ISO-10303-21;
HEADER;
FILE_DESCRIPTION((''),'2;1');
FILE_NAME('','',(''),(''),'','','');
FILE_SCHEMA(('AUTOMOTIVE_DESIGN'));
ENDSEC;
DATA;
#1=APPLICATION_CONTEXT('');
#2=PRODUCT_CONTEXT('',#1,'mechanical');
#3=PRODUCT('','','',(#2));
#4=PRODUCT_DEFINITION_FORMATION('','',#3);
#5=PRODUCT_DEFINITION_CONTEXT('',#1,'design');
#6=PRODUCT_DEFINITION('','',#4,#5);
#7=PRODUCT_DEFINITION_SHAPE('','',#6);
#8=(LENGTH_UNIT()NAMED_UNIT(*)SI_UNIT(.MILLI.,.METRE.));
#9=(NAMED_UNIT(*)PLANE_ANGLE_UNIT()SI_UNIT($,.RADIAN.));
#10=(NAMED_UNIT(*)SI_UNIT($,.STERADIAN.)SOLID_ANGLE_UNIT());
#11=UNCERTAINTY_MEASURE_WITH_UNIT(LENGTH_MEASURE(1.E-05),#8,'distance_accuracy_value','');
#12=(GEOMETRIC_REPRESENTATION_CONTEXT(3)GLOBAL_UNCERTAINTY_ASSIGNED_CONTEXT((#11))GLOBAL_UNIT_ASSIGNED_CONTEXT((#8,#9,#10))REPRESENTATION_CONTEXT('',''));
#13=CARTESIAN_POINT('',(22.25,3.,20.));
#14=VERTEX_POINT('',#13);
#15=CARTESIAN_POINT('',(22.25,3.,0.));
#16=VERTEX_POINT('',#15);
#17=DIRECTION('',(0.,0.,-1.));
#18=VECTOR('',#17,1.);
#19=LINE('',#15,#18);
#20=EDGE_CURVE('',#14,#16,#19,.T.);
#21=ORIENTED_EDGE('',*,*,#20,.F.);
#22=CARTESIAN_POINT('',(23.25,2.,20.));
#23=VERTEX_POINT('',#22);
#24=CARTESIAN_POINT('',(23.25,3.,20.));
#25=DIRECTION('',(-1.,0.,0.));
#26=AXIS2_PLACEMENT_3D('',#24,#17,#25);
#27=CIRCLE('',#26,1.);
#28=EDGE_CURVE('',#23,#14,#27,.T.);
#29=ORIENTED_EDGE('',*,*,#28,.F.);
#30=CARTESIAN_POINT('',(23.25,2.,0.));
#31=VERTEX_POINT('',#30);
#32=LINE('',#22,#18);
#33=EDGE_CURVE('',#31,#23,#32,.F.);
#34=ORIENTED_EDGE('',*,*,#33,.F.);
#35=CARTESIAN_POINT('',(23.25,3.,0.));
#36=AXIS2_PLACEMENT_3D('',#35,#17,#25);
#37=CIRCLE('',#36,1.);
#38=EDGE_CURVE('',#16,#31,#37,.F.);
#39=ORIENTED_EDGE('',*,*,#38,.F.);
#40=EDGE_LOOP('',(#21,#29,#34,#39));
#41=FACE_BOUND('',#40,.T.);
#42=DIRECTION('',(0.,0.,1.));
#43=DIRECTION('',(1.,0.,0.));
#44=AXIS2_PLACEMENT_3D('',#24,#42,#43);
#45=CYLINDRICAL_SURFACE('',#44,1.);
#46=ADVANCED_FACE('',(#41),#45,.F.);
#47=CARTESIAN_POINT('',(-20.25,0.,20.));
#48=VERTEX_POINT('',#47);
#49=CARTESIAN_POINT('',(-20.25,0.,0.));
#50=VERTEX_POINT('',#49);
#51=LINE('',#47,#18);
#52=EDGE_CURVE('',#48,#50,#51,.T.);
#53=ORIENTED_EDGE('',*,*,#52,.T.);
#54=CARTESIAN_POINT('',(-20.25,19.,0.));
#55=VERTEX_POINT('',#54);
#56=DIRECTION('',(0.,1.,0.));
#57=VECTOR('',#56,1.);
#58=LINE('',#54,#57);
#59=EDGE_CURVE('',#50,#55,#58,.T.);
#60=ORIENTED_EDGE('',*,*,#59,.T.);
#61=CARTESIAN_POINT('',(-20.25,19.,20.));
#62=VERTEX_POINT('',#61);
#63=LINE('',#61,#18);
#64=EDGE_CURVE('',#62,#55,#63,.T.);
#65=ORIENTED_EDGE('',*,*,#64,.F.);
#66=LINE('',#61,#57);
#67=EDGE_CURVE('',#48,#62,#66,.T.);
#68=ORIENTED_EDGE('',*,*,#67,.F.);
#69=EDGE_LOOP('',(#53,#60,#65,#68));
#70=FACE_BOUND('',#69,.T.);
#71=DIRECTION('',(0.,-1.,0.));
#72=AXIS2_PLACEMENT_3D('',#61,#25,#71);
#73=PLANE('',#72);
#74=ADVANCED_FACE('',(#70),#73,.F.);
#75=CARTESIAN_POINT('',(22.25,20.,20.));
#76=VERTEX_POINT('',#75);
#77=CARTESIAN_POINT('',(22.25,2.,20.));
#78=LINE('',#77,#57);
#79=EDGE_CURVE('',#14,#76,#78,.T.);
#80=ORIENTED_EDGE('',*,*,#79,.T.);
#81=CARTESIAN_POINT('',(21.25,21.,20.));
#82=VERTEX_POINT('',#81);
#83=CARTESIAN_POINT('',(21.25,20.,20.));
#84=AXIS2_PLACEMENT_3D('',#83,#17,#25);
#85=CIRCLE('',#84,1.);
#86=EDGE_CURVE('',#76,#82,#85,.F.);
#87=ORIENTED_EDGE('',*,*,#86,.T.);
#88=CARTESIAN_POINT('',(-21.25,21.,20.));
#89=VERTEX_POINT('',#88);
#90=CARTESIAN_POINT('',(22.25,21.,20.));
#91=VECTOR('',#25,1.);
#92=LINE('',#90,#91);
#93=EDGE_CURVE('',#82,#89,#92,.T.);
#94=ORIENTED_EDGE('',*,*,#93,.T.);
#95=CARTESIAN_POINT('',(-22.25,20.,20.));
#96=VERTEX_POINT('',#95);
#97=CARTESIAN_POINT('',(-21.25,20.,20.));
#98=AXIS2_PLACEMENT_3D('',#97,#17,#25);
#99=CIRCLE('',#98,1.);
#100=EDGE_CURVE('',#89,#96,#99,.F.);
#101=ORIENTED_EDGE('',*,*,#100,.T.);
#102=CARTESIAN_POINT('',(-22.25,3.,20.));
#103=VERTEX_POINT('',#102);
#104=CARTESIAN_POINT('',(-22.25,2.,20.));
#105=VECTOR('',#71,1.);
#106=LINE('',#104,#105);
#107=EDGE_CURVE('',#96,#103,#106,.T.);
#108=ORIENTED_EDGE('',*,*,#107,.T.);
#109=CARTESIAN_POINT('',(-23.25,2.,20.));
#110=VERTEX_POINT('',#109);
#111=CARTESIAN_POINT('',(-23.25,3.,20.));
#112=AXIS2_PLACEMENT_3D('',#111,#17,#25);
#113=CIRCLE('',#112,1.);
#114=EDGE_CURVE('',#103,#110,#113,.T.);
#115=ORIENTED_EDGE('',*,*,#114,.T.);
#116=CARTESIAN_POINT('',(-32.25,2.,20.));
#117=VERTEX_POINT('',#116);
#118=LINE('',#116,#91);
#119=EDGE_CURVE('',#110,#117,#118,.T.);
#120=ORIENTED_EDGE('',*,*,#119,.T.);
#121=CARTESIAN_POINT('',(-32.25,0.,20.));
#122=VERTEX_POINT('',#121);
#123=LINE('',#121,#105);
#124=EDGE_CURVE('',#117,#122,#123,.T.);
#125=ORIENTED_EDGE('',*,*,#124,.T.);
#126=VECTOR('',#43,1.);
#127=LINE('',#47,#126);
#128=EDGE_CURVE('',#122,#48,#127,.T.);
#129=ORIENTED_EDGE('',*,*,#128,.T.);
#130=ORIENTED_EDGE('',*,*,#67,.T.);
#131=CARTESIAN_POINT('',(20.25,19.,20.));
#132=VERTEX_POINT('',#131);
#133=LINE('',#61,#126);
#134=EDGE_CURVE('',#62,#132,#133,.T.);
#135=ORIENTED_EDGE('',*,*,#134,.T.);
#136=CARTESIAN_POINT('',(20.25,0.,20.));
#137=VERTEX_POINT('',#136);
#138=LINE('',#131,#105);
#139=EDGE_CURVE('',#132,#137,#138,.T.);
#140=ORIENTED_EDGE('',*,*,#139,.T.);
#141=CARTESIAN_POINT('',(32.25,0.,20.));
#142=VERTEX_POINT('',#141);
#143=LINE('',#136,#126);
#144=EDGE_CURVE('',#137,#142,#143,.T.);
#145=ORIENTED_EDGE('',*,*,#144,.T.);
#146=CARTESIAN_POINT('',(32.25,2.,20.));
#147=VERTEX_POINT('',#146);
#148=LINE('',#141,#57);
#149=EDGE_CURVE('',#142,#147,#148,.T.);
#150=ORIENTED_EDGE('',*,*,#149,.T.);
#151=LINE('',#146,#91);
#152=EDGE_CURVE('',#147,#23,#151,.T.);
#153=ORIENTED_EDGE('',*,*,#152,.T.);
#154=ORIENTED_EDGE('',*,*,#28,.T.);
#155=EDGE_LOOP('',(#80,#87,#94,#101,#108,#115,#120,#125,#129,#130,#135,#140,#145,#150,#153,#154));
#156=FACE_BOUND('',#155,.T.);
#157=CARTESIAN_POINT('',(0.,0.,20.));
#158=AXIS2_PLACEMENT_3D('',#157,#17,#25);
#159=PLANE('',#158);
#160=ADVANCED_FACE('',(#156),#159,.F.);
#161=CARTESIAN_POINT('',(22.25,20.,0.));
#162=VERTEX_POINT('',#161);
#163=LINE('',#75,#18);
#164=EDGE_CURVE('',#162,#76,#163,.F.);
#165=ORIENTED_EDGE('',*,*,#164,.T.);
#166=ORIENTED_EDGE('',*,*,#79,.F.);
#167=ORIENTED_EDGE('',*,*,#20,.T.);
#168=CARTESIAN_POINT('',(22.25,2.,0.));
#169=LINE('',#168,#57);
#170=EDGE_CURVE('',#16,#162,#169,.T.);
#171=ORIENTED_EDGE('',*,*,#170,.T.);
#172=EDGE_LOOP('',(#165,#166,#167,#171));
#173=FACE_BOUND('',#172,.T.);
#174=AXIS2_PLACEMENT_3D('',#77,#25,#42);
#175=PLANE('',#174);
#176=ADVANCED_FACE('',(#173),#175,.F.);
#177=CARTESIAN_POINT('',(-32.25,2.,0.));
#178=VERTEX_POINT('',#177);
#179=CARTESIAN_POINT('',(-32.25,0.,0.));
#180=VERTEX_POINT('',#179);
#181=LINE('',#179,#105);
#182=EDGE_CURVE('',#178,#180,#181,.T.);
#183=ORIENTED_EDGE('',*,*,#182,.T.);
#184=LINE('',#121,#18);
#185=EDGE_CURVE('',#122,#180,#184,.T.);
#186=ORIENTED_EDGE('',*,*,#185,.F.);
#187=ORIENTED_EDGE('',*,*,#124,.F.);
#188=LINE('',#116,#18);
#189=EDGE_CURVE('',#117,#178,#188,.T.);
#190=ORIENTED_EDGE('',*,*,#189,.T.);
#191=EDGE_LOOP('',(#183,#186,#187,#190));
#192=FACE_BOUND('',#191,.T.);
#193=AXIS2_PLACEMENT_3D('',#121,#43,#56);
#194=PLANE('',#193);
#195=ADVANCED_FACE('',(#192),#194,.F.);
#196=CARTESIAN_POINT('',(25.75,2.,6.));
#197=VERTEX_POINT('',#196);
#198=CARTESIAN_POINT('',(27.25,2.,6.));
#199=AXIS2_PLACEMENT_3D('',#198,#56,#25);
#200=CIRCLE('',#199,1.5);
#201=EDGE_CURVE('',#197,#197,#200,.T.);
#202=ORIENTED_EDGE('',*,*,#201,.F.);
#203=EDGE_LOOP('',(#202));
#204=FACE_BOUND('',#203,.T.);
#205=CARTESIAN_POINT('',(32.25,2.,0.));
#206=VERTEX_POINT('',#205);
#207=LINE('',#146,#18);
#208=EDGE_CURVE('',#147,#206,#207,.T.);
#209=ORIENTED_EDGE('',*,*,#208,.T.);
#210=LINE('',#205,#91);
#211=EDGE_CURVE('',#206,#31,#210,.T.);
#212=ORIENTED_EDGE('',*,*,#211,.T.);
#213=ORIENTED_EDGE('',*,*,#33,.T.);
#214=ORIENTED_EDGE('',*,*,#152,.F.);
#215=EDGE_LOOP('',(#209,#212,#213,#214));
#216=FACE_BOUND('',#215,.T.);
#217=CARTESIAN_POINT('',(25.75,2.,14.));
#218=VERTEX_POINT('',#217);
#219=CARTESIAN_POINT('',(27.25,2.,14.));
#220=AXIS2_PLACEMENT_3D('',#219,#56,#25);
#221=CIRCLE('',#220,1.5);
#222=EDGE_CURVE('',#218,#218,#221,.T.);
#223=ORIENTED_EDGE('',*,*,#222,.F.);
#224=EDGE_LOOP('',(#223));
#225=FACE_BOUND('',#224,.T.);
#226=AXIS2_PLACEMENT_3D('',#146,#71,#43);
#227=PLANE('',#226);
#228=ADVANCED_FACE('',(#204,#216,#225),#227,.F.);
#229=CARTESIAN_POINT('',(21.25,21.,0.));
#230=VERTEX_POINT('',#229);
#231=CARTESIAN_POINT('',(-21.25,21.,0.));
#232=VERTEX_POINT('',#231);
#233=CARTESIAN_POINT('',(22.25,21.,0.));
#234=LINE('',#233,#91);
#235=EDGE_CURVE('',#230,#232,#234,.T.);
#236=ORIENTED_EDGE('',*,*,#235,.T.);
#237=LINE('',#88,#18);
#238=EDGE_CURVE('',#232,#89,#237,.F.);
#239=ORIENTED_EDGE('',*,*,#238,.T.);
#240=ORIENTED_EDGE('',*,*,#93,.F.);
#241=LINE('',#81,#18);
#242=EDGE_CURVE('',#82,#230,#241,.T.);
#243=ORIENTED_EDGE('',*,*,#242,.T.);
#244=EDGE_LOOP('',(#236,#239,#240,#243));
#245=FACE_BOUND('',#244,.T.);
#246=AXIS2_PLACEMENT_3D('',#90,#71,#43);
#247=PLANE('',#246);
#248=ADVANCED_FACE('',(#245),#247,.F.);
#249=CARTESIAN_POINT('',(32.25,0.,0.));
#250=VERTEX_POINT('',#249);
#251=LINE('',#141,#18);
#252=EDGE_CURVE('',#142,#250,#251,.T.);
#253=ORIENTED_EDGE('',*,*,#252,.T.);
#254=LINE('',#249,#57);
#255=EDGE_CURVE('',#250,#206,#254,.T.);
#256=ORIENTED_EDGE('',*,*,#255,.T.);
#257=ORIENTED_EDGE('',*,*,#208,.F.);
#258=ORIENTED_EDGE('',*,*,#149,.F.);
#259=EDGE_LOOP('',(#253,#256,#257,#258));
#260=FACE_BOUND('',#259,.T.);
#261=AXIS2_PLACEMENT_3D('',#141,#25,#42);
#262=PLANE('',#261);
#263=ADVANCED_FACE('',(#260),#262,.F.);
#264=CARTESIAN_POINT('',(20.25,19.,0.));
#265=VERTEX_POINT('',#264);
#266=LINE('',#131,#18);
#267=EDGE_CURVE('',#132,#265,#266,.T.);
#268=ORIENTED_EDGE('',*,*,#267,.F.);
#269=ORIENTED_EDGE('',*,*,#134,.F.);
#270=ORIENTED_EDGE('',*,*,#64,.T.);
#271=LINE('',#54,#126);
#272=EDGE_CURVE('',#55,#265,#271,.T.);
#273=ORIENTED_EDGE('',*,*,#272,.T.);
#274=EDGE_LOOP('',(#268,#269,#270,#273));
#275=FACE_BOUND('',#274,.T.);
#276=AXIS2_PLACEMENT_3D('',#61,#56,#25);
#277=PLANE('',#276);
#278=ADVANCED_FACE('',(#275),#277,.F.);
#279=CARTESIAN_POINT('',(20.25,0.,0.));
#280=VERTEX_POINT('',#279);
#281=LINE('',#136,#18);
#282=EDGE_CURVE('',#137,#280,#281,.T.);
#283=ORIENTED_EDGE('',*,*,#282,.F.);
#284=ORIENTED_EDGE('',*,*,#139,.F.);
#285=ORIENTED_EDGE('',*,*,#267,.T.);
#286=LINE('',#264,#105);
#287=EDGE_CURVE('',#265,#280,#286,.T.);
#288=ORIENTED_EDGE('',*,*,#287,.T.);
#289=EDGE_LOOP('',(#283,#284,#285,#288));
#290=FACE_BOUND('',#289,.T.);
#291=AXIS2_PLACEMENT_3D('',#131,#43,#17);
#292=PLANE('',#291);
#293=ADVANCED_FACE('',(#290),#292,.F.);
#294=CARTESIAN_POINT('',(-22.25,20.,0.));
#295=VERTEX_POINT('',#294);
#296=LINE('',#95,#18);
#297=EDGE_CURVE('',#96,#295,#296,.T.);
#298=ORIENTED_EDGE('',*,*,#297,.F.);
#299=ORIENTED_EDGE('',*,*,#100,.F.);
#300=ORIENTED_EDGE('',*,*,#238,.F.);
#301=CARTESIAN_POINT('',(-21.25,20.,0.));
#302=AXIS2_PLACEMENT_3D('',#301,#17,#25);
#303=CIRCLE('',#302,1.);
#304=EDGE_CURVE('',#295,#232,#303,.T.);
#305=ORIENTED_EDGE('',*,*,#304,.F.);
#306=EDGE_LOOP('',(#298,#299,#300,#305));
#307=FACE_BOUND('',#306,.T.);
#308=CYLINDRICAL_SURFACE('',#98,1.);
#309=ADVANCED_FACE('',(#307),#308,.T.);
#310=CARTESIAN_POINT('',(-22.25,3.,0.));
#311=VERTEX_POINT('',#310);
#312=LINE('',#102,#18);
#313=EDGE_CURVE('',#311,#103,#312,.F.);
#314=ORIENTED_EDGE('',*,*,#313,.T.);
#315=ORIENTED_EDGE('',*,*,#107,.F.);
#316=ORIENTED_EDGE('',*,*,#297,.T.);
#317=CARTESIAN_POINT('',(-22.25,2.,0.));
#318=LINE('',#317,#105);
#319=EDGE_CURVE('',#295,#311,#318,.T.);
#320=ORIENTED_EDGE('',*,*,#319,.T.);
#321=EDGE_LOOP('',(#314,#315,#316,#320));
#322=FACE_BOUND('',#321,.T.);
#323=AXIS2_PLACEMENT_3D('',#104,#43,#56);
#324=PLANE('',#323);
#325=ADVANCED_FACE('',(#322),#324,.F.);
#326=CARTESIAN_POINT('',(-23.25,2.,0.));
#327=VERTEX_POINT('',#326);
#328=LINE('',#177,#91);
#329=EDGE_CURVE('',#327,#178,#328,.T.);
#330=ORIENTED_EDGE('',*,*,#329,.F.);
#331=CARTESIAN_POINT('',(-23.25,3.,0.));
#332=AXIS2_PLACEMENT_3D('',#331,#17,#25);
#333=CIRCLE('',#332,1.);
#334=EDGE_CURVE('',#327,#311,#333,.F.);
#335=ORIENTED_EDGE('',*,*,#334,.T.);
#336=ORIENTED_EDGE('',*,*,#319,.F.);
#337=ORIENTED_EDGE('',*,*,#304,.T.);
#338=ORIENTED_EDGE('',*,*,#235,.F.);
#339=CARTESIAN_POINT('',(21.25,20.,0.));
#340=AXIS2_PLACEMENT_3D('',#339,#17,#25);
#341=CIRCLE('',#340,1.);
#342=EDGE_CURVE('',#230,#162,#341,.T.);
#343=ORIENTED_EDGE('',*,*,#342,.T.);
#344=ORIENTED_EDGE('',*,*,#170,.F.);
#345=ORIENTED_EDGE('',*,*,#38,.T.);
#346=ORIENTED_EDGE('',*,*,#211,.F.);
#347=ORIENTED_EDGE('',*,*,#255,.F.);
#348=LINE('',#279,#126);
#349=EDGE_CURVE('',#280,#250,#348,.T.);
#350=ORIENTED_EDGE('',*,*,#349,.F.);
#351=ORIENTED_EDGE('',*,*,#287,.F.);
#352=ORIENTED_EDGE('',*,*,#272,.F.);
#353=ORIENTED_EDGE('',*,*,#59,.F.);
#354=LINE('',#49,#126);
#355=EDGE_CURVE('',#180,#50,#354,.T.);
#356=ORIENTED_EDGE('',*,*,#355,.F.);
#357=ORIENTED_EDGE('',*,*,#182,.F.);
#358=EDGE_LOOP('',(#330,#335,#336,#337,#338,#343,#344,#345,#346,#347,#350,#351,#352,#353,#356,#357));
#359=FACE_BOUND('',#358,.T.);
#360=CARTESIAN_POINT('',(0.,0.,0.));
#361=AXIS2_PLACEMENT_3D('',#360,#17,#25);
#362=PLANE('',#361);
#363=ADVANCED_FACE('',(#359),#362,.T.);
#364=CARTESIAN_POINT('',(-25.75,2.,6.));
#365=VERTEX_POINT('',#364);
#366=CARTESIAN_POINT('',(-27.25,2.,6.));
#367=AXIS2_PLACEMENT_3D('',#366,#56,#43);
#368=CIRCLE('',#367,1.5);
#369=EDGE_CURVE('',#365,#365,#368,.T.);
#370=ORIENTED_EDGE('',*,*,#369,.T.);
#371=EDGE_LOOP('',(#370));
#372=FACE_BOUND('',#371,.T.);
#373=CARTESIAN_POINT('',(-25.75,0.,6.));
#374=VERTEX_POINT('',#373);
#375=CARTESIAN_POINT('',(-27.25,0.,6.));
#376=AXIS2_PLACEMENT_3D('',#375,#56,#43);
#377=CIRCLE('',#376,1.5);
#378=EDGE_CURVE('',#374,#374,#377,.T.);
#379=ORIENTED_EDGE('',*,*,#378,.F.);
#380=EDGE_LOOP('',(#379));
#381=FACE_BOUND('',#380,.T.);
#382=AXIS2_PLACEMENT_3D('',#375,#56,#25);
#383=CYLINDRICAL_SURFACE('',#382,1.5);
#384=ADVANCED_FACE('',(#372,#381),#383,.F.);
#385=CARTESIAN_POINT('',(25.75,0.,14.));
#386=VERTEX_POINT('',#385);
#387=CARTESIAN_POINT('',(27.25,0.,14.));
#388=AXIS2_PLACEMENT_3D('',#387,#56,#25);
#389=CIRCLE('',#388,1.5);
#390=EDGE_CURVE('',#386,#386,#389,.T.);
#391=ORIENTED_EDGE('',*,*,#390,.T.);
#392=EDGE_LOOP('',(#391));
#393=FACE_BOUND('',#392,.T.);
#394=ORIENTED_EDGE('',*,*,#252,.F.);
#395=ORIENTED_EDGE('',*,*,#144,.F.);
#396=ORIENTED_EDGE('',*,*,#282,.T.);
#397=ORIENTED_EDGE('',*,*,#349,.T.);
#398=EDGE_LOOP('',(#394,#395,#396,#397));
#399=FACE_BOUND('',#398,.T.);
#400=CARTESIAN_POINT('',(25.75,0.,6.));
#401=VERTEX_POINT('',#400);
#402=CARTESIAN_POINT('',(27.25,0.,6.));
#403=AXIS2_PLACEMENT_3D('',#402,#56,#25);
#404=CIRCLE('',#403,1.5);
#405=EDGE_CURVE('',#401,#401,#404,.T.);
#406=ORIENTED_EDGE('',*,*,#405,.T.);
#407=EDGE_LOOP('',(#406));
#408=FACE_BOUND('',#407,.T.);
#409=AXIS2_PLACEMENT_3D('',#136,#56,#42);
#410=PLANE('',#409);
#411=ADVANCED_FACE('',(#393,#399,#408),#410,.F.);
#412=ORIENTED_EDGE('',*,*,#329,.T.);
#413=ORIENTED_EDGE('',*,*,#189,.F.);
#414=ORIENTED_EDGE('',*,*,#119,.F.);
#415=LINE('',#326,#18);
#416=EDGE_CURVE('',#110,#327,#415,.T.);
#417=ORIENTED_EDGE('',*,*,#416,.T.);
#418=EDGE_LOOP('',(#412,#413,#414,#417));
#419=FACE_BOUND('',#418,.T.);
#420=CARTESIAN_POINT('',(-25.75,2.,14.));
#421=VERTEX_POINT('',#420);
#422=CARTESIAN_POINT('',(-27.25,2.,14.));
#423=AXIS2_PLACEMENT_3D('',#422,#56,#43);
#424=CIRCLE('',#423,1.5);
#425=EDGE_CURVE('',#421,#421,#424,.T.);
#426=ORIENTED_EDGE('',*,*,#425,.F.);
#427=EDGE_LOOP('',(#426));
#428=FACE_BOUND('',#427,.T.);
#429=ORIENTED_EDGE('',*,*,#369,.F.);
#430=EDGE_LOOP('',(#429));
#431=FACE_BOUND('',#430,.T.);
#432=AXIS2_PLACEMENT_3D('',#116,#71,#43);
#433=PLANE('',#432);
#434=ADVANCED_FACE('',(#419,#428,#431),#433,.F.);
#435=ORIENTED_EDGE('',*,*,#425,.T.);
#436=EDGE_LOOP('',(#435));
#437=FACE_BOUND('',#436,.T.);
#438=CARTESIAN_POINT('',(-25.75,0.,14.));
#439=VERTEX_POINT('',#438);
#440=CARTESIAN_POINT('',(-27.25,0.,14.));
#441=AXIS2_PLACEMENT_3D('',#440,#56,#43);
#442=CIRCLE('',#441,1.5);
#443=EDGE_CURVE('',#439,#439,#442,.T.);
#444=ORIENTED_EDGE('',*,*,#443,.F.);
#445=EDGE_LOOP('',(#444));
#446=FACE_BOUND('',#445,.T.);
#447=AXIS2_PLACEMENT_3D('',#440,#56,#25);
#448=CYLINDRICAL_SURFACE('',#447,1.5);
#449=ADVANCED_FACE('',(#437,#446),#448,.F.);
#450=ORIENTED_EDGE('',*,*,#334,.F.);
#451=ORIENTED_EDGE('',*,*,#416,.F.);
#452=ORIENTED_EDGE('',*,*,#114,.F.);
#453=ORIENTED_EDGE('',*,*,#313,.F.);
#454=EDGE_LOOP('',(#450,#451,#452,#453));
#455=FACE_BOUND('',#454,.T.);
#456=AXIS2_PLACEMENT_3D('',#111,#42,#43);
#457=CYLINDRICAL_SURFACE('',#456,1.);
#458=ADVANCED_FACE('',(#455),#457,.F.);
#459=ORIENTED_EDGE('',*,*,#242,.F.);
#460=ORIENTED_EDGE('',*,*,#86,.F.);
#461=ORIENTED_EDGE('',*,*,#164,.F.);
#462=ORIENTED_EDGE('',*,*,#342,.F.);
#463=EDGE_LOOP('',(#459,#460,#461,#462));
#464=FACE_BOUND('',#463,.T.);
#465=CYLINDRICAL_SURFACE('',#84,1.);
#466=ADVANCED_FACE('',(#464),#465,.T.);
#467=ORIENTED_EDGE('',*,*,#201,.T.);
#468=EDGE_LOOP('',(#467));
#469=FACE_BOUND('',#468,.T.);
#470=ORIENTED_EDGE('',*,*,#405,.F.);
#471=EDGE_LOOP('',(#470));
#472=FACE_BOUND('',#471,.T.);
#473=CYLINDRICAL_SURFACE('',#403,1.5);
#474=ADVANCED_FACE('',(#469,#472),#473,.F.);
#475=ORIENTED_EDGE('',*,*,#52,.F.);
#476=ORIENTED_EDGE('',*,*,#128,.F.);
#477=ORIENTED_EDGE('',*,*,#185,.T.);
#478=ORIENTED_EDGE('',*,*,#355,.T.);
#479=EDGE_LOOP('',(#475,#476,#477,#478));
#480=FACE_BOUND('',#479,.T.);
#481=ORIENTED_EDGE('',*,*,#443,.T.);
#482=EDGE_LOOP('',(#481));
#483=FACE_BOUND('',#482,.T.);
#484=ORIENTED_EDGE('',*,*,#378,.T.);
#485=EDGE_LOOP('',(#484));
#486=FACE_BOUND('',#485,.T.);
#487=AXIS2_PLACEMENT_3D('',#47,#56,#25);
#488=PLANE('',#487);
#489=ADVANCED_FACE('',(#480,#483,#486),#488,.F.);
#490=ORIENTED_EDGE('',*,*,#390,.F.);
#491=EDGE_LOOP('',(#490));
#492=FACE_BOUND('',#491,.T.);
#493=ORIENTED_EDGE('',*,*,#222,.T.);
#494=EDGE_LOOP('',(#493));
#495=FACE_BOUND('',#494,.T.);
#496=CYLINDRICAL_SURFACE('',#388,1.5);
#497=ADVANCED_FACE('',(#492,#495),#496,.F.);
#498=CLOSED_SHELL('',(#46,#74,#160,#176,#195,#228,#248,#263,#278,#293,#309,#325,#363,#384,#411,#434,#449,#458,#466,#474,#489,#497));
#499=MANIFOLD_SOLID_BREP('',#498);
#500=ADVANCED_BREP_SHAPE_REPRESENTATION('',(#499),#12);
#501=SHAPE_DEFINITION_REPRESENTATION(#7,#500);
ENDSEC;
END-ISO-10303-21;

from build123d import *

# Parameters (mm, degrees)
BOSS_EXTRUDE1_DEPTH = 20
SKETCH3_R           = 1.5
CUT_EXTRUDE1_DEPTH  = 3
FILLET1_R           = 1


with BuildPart() as part:
    # Sketch2 → Boss-Extrude1 (new body)
    with BuildSketch(Plane.XY):
        Polygon((-20.25, 19), (20.25, 19), (20.25, 0), (32.25, 0), (32.25, 2), (22.25, 2), (22.25, 21), (-22.25, 21), (-22.25, 2), (-32.25, 2), (-32.25, 0), (-20.25, 0), align=None)
    extrude(amount=BOSS_EXTRUDE1_DEPTH)

    # Sketch3 → Cut-Extrude1 (cut, through all)
    with BuildSketch(Plane(origin=(0, 2, 0), x_dir=(1, 0, 0), z_dir=(0, 1, 0))):
        with Locations((27.25, -6)):
            Circle(SKETCH3_R)
        with Locations((27.25, -14)):
            Circle(SKETCH3_R)
        with Locations((-27.25, -14)):
            Circle(SKETCH3_R)
        with Locations((-27.25, -6)):
            Circle(SKETCH3_R)
    extrude(amount=-CUT_EXTRUDE1_DEPTH, mode=Mode.SUBTRACT)

    # Fillet1
    fillet1_edges = [part.edges().sort_by_distance(p)[0] for p in [
        (-22.25, 2, 10),
        (-22.25, 21, 10),
        (22.25, 21, 10),
        (22.25, 2, 10),
    ]]
    fillet(fillet1_edges, radius=FILLET1_R)


solid = part.part
